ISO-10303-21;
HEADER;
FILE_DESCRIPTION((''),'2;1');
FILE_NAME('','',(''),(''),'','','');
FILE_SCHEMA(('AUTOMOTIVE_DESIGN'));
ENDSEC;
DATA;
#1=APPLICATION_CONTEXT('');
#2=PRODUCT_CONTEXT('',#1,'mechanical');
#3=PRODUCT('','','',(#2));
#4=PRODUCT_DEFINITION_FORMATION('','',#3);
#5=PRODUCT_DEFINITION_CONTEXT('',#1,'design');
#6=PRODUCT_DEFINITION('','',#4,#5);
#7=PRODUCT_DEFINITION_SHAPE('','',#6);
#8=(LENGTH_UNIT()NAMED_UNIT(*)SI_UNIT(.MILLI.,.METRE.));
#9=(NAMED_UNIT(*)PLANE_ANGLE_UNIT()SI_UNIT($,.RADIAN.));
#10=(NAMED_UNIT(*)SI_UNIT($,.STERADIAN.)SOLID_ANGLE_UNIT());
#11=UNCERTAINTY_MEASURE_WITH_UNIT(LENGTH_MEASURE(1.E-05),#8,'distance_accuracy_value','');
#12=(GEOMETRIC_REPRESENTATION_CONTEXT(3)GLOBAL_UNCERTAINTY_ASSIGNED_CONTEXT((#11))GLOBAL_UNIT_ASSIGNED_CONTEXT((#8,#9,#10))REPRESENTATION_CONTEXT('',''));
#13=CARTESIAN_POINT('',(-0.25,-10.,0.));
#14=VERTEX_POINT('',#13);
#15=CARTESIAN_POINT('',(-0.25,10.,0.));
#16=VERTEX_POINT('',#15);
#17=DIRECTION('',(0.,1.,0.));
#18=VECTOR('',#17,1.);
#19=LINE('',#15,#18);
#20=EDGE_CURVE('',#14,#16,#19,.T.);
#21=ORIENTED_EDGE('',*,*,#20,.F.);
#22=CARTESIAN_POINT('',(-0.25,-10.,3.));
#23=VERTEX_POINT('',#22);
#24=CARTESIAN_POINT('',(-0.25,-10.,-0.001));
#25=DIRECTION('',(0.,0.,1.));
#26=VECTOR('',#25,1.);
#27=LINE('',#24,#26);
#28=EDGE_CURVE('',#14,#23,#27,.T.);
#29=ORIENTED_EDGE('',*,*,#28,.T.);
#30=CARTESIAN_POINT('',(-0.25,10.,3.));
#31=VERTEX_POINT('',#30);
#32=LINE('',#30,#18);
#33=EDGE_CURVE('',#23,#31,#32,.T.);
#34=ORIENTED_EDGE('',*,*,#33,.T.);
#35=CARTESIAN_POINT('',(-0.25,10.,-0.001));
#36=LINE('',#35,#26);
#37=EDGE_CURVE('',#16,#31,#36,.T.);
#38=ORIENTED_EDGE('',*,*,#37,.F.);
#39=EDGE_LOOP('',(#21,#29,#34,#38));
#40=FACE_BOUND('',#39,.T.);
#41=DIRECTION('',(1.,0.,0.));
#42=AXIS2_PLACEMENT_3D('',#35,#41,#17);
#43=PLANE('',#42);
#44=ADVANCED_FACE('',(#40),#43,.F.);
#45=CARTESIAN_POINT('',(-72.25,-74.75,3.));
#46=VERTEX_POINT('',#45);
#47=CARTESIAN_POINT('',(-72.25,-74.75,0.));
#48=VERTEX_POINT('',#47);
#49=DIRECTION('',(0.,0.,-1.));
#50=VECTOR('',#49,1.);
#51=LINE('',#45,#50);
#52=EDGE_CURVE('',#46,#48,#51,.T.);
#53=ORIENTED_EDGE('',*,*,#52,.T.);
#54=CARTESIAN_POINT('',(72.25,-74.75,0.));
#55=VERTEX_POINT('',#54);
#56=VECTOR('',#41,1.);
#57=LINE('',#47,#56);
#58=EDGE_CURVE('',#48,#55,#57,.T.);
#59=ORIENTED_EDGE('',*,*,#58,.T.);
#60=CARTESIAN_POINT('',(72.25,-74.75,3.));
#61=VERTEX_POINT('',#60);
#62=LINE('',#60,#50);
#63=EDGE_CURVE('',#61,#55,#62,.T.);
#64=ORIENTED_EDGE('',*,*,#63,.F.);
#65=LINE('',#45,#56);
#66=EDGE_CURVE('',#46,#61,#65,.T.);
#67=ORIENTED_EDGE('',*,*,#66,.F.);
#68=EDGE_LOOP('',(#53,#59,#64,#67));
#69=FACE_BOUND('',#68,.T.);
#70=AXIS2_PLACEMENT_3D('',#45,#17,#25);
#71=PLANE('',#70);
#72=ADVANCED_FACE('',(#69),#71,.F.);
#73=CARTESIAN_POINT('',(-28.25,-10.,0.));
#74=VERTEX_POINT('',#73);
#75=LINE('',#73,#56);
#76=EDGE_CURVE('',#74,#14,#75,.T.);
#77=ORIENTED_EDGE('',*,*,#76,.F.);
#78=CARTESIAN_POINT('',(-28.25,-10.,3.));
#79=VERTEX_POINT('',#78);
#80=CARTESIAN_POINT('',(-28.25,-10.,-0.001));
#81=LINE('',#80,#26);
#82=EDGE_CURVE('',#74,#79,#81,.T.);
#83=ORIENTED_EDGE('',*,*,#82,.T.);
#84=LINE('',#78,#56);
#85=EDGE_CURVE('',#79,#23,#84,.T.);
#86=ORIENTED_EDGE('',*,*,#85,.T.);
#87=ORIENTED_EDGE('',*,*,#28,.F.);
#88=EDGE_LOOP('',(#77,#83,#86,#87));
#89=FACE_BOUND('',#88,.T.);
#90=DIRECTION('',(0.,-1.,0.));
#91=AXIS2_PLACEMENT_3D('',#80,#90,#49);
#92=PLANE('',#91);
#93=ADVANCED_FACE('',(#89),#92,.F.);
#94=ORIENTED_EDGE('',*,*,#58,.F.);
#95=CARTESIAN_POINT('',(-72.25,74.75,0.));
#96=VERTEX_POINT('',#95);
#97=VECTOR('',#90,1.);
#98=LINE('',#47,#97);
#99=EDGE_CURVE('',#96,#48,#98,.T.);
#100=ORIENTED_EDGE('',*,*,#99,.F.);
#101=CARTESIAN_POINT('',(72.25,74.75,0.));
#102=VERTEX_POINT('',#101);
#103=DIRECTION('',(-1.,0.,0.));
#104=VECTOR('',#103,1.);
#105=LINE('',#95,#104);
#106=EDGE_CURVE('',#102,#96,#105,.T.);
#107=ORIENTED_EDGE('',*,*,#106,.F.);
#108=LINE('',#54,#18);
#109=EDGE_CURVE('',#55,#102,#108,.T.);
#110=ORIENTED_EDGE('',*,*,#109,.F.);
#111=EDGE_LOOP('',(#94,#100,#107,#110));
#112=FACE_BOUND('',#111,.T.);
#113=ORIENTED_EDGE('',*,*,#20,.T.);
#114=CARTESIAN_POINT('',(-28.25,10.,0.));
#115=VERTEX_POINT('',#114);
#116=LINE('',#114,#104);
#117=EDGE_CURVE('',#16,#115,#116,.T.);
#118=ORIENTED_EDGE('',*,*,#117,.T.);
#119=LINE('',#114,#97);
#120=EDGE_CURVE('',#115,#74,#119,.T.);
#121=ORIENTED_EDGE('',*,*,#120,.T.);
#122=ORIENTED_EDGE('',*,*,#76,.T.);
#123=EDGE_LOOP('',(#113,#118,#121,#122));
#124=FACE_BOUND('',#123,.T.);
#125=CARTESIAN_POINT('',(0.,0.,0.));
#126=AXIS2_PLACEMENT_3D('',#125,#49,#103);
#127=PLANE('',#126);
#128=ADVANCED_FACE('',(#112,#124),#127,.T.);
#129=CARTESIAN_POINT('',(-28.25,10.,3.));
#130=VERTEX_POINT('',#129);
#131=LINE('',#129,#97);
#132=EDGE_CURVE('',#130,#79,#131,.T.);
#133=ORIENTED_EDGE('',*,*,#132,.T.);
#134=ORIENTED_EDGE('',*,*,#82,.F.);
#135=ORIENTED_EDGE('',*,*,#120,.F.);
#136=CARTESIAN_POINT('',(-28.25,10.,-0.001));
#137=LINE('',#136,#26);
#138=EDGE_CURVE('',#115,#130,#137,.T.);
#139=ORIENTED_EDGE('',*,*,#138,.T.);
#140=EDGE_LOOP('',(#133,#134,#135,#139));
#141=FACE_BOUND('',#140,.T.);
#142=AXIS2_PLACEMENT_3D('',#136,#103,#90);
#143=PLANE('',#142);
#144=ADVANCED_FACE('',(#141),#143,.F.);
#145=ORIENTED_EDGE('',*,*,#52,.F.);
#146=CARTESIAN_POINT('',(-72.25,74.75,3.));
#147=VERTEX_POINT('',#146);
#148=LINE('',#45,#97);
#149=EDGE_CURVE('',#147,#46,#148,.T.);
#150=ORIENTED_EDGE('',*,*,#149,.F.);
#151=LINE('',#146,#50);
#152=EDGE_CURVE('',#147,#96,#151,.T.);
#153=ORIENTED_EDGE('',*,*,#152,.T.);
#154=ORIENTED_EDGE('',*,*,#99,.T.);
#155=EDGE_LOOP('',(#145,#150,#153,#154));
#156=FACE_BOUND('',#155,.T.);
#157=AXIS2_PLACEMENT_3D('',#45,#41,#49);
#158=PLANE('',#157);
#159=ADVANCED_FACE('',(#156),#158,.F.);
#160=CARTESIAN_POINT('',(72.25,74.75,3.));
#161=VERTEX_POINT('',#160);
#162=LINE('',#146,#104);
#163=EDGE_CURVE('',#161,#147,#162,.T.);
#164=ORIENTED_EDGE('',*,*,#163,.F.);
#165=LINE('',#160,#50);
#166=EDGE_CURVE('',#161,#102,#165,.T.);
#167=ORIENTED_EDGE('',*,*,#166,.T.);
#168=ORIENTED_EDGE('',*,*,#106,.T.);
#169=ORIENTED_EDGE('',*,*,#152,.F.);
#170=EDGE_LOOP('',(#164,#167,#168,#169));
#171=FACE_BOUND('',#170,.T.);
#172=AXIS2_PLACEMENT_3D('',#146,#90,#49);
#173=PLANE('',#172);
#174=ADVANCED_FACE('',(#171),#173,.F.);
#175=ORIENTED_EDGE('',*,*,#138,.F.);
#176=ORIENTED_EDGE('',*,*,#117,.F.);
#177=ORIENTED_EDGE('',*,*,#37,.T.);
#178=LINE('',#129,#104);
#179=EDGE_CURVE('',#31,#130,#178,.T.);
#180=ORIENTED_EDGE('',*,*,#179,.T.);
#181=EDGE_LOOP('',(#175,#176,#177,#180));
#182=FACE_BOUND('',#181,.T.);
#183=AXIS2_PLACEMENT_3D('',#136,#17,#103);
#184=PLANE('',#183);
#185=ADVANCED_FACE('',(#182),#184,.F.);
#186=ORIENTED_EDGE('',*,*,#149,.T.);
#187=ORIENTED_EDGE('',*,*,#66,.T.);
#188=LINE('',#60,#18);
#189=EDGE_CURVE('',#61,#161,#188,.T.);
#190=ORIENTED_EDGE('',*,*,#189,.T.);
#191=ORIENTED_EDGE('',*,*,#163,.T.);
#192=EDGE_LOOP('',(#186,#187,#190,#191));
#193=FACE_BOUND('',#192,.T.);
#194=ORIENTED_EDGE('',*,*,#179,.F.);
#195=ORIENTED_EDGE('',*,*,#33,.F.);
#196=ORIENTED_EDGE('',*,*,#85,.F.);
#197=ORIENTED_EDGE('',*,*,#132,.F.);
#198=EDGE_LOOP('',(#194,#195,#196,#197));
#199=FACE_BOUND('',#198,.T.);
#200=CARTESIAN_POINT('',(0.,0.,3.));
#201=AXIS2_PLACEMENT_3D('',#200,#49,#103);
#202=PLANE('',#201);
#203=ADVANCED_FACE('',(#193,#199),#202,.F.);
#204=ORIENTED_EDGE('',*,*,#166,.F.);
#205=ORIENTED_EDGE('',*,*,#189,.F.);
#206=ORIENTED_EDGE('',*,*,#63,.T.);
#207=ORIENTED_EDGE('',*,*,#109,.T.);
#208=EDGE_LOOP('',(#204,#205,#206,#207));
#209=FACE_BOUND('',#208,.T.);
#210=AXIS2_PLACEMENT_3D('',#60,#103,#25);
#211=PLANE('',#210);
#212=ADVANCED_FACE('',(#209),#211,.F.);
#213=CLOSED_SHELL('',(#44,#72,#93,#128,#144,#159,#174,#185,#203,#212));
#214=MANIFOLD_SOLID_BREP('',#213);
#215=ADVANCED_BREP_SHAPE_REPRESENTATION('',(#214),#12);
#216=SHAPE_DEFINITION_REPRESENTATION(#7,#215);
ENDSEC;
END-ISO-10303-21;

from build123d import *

# Parameters (mm, degrees)
SKETCH1_W           = 144.5
SKETCH1_H           = 149.5
BOSS_EXTRUDE1_DEPTH = 3
CUT_EXTRUDE1_REACH  = 5
SKETCH2_W           = 28
SKETCH2_H           = 20


with BuildPart() as part:
    # Sketch1 → Boss-Extrude1 (new body)
    with BuildSketch(Plane.XY):
        Rectangle(SKETCH1_W, SKETCH1_H)
    extrude(amount=BOSS_EXTRUDE1_DEPTH)

    # Sketch2 → Cut-Extrude1 (cut, up to next)
    with BuildSketch(Plane.XY.offset(3), mode=Mode.PRIVATE) as cut_extrude1_sk1:
        with Locations((-14.25, 0)):
            Rectangle(SKETCH2_W, SKETCH2_H)
    cut_extrude1_tool1 = extrude(cut_extrude1_sk1.sketch, amount=-CUT_EXTRUDE1_REACH, mode=Mode.PRIVATE) & part.part
    add(cut_extrude1_tool1.solids().sort_by_distance((-14.25, 0, 3))[0], mode=Mode.SUBTRACT)


solid = part.part
